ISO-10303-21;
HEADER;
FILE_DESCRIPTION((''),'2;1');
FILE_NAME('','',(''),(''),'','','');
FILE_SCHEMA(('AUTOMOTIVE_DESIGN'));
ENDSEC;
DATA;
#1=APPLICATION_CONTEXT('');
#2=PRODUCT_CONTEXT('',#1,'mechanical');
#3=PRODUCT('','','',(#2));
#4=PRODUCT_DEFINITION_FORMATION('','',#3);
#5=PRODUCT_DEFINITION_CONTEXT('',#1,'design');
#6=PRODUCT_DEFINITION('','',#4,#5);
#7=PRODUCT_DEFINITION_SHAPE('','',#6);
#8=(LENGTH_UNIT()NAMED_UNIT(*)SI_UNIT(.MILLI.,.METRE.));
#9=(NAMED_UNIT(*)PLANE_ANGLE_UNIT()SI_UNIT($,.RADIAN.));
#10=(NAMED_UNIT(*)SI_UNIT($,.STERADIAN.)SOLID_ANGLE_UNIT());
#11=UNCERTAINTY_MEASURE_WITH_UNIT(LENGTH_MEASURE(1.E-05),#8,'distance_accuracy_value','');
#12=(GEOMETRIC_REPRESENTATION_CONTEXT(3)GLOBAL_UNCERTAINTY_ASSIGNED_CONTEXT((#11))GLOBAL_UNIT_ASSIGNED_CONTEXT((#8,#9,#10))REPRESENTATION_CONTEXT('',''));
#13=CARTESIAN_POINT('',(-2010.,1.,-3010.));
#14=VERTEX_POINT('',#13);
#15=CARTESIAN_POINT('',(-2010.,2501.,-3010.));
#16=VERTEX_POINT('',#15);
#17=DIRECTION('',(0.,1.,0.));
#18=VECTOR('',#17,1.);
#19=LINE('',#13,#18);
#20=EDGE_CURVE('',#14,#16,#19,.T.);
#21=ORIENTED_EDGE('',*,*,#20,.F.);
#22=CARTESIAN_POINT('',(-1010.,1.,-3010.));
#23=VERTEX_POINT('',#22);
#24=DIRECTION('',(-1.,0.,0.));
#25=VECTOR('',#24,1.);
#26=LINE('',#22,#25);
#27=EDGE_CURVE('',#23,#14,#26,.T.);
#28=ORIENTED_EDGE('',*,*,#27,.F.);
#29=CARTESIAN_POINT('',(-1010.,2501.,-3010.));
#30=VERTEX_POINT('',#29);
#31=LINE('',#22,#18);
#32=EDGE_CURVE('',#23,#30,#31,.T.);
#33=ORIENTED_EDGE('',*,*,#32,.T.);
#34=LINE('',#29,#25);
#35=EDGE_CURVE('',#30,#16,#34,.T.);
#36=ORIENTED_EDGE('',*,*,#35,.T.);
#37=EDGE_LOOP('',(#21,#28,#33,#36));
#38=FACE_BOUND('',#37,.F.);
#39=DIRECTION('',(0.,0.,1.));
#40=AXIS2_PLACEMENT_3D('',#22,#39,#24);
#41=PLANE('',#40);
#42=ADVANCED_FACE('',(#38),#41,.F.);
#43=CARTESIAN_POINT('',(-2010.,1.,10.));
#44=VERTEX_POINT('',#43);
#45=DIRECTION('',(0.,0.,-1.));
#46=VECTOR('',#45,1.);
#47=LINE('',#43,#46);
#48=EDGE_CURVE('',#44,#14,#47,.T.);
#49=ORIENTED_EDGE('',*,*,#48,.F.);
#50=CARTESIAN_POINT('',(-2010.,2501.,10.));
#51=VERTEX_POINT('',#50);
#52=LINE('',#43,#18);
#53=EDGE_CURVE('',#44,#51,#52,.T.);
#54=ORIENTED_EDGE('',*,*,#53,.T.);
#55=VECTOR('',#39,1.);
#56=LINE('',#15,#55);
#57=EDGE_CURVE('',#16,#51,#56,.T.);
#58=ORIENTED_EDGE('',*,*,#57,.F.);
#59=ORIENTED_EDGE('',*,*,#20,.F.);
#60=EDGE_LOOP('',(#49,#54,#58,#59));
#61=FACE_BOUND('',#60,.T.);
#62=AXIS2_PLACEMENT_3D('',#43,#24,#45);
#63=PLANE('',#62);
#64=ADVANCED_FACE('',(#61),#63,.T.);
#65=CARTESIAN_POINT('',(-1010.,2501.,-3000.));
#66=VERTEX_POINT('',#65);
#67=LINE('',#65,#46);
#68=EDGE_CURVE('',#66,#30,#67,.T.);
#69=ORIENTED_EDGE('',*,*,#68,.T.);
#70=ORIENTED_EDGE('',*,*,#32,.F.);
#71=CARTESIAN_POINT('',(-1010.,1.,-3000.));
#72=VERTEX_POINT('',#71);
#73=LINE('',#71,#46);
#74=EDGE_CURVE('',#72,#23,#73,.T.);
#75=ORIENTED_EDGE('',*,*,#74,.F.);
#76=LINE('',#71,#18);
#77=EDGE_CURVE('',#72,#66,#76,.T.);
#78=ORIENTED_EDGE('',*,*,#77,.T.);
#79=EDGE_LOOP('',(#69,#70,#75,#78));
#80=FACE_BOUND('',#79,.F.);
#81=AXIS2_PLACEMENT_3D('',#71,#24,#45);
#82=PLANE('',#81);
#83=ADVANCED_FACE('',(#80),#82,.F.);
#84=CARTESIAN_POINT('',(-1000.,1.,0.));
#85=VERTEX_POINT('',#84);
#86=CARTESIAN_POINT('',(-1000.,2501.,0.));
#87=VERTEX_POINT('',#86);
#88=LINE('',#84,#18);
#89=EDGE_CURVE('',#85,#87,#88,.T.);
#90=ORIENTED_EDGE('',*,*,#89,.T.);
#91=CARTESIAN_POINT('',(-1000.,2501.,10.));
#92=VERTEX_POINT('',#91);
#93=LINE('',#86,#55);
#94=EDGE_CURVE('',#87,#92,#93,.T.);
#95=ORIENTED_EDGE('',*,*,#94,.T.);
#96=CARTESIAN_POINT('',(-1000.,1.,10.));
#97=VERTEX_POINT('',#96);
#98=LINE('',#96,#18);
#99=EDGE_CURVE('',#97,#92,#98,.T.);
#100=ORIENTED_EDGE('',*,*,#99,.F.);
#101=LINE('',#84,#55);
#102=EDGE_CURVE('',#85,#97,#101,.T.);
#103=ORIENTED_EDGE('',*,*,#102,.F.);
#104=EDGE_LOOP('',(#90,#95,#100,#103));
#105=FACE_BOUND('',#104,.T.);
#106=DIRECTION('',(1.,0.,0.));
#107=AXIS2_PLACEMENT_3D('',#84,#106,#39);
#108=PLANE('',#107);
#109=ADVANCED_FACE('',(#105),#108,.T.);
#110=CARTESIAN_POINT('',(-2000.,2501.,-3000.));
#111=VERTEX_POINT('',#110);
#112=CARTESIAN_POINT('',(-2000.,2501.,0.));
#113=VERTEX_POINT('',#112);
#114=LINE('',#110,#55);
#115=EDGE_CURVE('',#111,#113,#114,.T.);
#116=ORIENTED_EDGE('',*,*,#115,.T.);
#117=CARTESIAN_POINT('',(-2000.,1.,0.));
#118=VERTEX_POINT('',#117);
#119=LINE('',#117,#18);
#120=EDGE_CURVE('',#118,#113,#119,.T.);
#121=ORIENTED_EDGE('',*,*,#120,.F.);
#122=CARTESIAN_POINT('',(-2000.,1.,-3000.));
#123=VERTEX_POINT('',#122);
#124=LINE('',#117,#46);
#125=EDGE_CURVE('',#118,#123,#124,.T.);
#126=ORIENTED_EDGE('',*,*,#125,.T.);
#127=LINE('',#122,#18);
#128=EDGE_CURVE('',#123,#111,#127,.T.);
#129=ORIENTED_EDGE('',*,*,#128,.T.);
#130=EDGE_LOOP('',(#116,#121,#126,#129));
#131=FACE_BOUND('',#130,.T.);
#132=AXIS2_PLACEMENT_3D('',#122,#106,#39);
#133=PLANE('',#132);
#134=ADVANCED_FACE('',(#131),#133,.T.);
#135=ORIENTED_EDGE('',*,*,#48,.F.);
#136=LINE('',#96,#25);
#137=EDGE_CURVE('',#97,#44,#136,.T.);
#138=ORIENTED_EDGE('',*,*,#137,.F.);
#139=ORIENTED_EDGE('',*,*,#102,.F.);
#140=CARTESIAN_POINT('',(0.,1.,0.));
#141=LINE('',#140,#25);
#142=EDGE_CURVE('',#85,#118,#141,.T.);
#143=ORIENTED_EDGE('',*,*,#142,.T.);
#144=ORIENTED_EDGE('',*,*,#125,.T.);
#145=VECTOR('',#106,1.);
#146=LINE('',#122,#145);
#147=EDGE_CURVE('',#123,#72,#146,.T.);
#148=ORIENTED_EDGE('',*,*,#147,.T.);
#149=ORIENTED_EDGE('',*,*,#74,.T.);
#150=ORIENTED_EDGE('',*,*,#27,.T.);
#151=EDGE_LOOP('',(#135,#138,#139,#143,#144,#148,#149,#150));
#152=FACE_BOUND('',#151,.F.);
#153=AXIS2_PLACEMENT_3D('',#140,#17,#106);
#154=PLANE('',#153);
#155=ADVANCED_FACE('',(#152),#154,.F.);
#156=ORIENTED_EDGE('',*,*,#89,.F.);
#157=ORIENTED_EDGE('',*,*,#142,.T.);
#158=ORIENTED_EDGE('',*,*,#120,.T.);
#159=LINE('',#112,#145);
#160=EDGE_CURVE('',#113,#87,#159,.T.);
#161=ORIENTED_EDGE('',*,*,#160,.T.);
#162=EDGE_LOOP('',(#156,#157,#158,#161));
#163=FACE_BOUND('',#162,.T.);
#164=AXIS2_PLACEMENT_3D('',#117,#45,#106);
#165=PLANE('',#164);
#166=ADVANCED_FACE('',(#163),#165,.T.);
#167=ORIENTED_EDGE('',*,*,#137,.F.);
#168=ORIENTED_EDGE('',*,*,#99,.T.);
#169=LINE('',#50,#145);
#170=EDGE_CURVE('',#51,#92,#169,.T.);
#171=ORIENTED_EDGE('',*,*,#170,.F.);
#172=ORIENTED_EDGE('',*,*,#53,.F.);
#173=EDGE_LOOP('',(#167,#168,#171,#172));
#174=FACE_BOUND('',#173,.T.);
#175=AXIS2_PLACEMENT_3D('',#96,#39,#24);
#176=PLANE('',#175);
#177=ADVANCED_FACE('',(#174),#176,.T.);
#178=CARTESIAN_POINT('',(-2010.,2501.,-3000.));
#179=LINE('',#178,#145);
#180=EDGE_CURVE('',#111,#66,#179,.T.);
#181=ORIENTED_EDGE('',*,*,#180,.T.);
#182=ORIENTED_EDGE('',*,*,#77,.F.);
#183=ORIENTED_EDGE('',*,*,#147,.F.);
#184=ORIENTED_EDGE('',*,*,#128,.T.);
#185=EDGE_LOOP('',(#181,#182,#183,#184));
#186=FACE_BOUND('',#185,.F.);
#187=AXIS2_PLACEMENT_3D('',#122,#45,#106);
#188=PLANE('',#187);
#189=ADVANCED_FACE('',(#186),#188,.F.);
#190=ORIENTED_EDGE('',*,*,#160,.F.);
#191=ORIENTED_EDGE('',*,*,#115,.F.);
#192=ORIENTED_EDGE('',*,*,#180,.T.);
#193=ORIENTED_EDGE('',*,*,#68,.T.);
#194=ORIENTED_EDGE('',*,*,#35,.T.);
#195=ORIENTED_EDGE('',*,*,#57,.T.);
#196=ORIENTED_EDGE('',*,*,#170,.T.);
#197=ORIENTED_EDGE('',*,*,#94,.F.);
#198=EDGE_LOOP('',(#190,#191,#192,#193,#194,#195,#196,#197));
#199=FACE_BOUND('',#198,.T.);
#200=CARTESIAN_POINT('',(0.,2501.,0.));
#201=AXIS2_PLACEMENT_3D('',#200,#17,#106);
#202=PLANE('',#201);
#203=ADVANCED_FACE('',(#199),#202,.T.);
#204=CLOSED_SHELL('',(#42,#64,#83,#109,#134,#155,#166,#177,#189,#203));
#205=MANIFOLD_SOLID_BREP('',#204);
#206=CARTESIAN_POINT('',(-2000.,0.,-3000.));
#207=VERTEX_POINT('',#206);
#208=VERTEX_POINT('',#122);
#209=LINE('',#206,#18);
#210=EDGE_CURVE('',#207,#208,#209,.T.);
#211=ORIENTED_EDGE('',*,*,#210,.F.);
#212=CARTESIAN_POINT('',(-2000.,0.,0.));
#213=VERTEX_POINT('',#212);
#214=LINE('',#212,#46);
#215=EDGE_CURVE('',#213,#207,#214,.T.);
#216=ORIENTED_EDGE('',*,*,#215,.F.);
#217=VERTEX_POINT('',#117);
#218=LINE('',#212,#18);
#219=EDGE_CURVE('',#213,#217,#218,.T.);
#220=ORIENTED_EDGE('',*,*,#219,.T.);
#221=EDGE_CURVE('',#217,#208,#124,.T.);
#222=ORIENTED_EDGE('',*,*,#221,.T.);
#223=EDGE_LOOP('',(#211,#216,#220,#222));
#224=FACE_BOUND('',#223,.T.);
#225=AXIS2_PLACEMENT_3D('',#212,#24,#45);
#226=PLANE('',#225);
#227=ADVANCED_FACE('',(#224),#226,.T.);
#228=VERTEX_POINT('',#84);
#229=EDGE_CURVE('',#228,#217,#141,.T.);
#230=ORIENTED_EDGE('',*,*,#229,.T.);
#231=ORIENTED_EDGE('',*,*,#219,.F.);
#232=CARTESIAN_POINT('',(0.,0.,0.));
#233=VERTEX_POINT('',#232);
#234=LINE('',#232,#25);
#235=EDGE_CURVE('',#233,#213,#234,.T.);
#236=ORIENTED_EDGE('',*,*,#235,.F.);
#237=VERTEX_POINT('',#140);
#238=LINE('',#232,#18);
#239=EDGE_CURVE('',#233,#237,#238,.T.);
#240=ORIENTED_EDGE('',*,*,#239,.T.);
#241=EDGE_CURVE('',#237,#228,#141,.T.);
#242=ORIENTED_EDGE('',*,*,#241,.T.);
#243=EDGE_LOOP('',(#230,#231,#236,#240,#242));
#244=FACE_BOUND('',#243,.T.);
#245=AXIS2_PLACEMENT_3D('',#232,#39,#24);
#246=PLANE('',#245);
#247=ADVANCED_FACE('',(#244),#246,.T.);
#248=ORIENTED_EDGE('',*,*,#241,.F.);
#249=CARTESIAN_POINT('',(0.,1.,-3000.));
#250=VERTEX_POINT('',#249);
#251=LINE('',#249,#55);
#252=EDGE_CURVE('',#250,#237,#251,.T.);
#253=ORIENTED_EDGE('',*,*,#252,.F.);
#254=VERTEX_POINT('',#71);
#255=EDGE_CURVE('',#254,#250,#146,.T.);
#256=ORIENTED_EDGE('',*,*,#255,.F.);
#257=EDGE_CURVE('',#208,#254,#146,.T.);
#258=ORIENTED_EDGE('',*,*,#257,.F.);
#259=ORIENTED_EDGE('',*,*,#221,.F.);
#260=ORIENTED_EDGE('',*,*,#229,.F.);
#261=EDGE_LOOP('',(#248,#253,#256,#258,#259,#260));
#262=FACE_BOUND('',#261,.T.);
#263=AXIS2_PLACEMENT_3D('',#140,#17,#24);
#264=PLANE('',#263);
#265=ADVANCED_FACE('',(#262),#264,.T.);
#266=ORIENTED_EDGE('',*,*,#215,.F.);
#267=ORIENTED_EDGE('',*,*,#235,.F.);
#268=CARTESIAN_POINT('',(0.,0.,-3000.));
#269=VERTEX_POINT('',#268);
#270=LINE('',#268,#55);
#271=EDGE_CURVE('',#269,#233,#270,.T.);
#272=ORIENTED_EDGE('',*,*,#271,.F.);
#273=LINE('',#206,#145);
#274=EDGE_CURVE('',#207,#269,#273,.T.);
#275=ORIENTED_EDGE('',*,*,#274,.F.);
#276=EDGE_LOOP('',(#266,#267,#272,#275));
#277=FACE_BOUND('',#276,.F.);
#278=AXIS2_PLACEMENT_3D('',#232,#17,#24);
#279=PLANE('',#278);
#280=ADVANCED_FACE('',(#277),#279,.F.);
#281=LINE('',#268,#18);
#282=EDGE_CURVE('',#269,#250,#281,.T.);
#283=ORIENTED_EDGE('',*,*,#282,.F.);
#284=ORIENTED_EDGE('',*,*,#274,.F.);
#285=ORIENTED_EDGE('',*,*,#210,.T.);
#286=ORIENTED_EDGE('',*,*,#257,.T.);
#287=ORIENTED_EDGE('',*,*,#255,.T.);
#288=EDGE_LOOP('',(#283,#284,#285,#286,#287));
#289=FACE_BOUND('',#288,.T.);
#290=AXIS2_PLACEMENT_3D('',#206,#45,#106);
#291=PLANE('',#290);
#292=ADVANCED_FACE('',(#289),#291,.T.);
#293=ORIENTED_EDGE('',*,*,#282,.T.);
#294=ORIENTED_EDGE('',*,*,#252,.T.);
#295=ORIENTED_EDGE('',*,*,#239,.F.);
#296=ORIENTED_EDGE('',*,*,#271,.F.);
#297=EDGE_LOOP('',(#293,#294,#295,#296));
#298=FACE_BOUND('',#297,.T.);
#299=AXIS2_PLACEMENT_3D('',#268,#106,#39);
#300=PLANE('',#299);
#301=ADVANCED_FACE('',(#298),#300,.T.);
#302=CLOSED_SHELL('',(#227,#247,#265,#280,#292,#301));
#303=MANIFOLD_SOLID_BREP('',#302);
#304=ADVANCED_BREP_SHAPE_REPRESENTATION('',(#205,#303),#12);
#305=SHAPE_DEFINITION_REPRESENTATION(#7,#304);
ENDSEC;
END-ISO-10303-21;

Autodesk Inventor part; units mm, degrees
ref_plane "YZ Plane" through (0, 0, 0) normal (1, 0, 0) x (0, 1, 0)
ref_plane "XZ Plane" through (0, 0, 0) normal (0, 1, 0) x (-1, 0, 0)
ref_plane "XY Plane" through (0, 0, 0) normal (0, 0, 1) x (1, 0, 0)
sketch "Sketch1" plane through (0, 0, 0) normal (0, 1, 0) x (-1, 0, 0)
  line L0 (0, 0) -> (2000, 0)
  line L1 (2000, 0) -> (2000, -3000)
  line L2 (2000, -3000) -> (0, -3000)
  line L3 (0, -3000) -> (0, 0)
  dimension "d2" = 2000
  dimension "d3" = 3000
extrude "Extrusion2" add sketch "Sketch1" along normal blind 1
sketch "Sketch3" plane through (0, 1, 0) normal (0, 1, 0) x (1, 0, 0)
  line L0 (-2000, 0) -> (0, 0) projected
  line L1 (-2000, 0) -> (-1000, 0)
  line L2 (-1000, 0) -> (-1000, -10)
  line L3 (-1000, -10) -> (-2000, -10)
  line L4 (-2000, -10) -> (-2000, 0)
  line L5 (-2000, -10) -> (-2010, -10)
  line L6 (-2010, -10) -> (-2010, 3000)
  line L7 (-2010, 3000) -> (-2000, 3000)
  line L8 (-2000, 3000) -> (-2000, -10)
  line L9 (-2010, 3000) -> (-1010, 3000)
  line L10 (-1010, 3000) -> (-1010, 3010)
  line L11 (-1010, 3010) -> (-2010, 3010)
  line L12 (-2010, 3010) -> (-2010, 3000)
  dimension "d6" = 10
  dimension "d7" = 10
  dimension "d8" = 1000
  dimension "d9" = 1000
  dimension "d10" = 10
extrude "Extrusion3" add sketch "Sketch3" along normal blind 2500
properties part number "Monter"
